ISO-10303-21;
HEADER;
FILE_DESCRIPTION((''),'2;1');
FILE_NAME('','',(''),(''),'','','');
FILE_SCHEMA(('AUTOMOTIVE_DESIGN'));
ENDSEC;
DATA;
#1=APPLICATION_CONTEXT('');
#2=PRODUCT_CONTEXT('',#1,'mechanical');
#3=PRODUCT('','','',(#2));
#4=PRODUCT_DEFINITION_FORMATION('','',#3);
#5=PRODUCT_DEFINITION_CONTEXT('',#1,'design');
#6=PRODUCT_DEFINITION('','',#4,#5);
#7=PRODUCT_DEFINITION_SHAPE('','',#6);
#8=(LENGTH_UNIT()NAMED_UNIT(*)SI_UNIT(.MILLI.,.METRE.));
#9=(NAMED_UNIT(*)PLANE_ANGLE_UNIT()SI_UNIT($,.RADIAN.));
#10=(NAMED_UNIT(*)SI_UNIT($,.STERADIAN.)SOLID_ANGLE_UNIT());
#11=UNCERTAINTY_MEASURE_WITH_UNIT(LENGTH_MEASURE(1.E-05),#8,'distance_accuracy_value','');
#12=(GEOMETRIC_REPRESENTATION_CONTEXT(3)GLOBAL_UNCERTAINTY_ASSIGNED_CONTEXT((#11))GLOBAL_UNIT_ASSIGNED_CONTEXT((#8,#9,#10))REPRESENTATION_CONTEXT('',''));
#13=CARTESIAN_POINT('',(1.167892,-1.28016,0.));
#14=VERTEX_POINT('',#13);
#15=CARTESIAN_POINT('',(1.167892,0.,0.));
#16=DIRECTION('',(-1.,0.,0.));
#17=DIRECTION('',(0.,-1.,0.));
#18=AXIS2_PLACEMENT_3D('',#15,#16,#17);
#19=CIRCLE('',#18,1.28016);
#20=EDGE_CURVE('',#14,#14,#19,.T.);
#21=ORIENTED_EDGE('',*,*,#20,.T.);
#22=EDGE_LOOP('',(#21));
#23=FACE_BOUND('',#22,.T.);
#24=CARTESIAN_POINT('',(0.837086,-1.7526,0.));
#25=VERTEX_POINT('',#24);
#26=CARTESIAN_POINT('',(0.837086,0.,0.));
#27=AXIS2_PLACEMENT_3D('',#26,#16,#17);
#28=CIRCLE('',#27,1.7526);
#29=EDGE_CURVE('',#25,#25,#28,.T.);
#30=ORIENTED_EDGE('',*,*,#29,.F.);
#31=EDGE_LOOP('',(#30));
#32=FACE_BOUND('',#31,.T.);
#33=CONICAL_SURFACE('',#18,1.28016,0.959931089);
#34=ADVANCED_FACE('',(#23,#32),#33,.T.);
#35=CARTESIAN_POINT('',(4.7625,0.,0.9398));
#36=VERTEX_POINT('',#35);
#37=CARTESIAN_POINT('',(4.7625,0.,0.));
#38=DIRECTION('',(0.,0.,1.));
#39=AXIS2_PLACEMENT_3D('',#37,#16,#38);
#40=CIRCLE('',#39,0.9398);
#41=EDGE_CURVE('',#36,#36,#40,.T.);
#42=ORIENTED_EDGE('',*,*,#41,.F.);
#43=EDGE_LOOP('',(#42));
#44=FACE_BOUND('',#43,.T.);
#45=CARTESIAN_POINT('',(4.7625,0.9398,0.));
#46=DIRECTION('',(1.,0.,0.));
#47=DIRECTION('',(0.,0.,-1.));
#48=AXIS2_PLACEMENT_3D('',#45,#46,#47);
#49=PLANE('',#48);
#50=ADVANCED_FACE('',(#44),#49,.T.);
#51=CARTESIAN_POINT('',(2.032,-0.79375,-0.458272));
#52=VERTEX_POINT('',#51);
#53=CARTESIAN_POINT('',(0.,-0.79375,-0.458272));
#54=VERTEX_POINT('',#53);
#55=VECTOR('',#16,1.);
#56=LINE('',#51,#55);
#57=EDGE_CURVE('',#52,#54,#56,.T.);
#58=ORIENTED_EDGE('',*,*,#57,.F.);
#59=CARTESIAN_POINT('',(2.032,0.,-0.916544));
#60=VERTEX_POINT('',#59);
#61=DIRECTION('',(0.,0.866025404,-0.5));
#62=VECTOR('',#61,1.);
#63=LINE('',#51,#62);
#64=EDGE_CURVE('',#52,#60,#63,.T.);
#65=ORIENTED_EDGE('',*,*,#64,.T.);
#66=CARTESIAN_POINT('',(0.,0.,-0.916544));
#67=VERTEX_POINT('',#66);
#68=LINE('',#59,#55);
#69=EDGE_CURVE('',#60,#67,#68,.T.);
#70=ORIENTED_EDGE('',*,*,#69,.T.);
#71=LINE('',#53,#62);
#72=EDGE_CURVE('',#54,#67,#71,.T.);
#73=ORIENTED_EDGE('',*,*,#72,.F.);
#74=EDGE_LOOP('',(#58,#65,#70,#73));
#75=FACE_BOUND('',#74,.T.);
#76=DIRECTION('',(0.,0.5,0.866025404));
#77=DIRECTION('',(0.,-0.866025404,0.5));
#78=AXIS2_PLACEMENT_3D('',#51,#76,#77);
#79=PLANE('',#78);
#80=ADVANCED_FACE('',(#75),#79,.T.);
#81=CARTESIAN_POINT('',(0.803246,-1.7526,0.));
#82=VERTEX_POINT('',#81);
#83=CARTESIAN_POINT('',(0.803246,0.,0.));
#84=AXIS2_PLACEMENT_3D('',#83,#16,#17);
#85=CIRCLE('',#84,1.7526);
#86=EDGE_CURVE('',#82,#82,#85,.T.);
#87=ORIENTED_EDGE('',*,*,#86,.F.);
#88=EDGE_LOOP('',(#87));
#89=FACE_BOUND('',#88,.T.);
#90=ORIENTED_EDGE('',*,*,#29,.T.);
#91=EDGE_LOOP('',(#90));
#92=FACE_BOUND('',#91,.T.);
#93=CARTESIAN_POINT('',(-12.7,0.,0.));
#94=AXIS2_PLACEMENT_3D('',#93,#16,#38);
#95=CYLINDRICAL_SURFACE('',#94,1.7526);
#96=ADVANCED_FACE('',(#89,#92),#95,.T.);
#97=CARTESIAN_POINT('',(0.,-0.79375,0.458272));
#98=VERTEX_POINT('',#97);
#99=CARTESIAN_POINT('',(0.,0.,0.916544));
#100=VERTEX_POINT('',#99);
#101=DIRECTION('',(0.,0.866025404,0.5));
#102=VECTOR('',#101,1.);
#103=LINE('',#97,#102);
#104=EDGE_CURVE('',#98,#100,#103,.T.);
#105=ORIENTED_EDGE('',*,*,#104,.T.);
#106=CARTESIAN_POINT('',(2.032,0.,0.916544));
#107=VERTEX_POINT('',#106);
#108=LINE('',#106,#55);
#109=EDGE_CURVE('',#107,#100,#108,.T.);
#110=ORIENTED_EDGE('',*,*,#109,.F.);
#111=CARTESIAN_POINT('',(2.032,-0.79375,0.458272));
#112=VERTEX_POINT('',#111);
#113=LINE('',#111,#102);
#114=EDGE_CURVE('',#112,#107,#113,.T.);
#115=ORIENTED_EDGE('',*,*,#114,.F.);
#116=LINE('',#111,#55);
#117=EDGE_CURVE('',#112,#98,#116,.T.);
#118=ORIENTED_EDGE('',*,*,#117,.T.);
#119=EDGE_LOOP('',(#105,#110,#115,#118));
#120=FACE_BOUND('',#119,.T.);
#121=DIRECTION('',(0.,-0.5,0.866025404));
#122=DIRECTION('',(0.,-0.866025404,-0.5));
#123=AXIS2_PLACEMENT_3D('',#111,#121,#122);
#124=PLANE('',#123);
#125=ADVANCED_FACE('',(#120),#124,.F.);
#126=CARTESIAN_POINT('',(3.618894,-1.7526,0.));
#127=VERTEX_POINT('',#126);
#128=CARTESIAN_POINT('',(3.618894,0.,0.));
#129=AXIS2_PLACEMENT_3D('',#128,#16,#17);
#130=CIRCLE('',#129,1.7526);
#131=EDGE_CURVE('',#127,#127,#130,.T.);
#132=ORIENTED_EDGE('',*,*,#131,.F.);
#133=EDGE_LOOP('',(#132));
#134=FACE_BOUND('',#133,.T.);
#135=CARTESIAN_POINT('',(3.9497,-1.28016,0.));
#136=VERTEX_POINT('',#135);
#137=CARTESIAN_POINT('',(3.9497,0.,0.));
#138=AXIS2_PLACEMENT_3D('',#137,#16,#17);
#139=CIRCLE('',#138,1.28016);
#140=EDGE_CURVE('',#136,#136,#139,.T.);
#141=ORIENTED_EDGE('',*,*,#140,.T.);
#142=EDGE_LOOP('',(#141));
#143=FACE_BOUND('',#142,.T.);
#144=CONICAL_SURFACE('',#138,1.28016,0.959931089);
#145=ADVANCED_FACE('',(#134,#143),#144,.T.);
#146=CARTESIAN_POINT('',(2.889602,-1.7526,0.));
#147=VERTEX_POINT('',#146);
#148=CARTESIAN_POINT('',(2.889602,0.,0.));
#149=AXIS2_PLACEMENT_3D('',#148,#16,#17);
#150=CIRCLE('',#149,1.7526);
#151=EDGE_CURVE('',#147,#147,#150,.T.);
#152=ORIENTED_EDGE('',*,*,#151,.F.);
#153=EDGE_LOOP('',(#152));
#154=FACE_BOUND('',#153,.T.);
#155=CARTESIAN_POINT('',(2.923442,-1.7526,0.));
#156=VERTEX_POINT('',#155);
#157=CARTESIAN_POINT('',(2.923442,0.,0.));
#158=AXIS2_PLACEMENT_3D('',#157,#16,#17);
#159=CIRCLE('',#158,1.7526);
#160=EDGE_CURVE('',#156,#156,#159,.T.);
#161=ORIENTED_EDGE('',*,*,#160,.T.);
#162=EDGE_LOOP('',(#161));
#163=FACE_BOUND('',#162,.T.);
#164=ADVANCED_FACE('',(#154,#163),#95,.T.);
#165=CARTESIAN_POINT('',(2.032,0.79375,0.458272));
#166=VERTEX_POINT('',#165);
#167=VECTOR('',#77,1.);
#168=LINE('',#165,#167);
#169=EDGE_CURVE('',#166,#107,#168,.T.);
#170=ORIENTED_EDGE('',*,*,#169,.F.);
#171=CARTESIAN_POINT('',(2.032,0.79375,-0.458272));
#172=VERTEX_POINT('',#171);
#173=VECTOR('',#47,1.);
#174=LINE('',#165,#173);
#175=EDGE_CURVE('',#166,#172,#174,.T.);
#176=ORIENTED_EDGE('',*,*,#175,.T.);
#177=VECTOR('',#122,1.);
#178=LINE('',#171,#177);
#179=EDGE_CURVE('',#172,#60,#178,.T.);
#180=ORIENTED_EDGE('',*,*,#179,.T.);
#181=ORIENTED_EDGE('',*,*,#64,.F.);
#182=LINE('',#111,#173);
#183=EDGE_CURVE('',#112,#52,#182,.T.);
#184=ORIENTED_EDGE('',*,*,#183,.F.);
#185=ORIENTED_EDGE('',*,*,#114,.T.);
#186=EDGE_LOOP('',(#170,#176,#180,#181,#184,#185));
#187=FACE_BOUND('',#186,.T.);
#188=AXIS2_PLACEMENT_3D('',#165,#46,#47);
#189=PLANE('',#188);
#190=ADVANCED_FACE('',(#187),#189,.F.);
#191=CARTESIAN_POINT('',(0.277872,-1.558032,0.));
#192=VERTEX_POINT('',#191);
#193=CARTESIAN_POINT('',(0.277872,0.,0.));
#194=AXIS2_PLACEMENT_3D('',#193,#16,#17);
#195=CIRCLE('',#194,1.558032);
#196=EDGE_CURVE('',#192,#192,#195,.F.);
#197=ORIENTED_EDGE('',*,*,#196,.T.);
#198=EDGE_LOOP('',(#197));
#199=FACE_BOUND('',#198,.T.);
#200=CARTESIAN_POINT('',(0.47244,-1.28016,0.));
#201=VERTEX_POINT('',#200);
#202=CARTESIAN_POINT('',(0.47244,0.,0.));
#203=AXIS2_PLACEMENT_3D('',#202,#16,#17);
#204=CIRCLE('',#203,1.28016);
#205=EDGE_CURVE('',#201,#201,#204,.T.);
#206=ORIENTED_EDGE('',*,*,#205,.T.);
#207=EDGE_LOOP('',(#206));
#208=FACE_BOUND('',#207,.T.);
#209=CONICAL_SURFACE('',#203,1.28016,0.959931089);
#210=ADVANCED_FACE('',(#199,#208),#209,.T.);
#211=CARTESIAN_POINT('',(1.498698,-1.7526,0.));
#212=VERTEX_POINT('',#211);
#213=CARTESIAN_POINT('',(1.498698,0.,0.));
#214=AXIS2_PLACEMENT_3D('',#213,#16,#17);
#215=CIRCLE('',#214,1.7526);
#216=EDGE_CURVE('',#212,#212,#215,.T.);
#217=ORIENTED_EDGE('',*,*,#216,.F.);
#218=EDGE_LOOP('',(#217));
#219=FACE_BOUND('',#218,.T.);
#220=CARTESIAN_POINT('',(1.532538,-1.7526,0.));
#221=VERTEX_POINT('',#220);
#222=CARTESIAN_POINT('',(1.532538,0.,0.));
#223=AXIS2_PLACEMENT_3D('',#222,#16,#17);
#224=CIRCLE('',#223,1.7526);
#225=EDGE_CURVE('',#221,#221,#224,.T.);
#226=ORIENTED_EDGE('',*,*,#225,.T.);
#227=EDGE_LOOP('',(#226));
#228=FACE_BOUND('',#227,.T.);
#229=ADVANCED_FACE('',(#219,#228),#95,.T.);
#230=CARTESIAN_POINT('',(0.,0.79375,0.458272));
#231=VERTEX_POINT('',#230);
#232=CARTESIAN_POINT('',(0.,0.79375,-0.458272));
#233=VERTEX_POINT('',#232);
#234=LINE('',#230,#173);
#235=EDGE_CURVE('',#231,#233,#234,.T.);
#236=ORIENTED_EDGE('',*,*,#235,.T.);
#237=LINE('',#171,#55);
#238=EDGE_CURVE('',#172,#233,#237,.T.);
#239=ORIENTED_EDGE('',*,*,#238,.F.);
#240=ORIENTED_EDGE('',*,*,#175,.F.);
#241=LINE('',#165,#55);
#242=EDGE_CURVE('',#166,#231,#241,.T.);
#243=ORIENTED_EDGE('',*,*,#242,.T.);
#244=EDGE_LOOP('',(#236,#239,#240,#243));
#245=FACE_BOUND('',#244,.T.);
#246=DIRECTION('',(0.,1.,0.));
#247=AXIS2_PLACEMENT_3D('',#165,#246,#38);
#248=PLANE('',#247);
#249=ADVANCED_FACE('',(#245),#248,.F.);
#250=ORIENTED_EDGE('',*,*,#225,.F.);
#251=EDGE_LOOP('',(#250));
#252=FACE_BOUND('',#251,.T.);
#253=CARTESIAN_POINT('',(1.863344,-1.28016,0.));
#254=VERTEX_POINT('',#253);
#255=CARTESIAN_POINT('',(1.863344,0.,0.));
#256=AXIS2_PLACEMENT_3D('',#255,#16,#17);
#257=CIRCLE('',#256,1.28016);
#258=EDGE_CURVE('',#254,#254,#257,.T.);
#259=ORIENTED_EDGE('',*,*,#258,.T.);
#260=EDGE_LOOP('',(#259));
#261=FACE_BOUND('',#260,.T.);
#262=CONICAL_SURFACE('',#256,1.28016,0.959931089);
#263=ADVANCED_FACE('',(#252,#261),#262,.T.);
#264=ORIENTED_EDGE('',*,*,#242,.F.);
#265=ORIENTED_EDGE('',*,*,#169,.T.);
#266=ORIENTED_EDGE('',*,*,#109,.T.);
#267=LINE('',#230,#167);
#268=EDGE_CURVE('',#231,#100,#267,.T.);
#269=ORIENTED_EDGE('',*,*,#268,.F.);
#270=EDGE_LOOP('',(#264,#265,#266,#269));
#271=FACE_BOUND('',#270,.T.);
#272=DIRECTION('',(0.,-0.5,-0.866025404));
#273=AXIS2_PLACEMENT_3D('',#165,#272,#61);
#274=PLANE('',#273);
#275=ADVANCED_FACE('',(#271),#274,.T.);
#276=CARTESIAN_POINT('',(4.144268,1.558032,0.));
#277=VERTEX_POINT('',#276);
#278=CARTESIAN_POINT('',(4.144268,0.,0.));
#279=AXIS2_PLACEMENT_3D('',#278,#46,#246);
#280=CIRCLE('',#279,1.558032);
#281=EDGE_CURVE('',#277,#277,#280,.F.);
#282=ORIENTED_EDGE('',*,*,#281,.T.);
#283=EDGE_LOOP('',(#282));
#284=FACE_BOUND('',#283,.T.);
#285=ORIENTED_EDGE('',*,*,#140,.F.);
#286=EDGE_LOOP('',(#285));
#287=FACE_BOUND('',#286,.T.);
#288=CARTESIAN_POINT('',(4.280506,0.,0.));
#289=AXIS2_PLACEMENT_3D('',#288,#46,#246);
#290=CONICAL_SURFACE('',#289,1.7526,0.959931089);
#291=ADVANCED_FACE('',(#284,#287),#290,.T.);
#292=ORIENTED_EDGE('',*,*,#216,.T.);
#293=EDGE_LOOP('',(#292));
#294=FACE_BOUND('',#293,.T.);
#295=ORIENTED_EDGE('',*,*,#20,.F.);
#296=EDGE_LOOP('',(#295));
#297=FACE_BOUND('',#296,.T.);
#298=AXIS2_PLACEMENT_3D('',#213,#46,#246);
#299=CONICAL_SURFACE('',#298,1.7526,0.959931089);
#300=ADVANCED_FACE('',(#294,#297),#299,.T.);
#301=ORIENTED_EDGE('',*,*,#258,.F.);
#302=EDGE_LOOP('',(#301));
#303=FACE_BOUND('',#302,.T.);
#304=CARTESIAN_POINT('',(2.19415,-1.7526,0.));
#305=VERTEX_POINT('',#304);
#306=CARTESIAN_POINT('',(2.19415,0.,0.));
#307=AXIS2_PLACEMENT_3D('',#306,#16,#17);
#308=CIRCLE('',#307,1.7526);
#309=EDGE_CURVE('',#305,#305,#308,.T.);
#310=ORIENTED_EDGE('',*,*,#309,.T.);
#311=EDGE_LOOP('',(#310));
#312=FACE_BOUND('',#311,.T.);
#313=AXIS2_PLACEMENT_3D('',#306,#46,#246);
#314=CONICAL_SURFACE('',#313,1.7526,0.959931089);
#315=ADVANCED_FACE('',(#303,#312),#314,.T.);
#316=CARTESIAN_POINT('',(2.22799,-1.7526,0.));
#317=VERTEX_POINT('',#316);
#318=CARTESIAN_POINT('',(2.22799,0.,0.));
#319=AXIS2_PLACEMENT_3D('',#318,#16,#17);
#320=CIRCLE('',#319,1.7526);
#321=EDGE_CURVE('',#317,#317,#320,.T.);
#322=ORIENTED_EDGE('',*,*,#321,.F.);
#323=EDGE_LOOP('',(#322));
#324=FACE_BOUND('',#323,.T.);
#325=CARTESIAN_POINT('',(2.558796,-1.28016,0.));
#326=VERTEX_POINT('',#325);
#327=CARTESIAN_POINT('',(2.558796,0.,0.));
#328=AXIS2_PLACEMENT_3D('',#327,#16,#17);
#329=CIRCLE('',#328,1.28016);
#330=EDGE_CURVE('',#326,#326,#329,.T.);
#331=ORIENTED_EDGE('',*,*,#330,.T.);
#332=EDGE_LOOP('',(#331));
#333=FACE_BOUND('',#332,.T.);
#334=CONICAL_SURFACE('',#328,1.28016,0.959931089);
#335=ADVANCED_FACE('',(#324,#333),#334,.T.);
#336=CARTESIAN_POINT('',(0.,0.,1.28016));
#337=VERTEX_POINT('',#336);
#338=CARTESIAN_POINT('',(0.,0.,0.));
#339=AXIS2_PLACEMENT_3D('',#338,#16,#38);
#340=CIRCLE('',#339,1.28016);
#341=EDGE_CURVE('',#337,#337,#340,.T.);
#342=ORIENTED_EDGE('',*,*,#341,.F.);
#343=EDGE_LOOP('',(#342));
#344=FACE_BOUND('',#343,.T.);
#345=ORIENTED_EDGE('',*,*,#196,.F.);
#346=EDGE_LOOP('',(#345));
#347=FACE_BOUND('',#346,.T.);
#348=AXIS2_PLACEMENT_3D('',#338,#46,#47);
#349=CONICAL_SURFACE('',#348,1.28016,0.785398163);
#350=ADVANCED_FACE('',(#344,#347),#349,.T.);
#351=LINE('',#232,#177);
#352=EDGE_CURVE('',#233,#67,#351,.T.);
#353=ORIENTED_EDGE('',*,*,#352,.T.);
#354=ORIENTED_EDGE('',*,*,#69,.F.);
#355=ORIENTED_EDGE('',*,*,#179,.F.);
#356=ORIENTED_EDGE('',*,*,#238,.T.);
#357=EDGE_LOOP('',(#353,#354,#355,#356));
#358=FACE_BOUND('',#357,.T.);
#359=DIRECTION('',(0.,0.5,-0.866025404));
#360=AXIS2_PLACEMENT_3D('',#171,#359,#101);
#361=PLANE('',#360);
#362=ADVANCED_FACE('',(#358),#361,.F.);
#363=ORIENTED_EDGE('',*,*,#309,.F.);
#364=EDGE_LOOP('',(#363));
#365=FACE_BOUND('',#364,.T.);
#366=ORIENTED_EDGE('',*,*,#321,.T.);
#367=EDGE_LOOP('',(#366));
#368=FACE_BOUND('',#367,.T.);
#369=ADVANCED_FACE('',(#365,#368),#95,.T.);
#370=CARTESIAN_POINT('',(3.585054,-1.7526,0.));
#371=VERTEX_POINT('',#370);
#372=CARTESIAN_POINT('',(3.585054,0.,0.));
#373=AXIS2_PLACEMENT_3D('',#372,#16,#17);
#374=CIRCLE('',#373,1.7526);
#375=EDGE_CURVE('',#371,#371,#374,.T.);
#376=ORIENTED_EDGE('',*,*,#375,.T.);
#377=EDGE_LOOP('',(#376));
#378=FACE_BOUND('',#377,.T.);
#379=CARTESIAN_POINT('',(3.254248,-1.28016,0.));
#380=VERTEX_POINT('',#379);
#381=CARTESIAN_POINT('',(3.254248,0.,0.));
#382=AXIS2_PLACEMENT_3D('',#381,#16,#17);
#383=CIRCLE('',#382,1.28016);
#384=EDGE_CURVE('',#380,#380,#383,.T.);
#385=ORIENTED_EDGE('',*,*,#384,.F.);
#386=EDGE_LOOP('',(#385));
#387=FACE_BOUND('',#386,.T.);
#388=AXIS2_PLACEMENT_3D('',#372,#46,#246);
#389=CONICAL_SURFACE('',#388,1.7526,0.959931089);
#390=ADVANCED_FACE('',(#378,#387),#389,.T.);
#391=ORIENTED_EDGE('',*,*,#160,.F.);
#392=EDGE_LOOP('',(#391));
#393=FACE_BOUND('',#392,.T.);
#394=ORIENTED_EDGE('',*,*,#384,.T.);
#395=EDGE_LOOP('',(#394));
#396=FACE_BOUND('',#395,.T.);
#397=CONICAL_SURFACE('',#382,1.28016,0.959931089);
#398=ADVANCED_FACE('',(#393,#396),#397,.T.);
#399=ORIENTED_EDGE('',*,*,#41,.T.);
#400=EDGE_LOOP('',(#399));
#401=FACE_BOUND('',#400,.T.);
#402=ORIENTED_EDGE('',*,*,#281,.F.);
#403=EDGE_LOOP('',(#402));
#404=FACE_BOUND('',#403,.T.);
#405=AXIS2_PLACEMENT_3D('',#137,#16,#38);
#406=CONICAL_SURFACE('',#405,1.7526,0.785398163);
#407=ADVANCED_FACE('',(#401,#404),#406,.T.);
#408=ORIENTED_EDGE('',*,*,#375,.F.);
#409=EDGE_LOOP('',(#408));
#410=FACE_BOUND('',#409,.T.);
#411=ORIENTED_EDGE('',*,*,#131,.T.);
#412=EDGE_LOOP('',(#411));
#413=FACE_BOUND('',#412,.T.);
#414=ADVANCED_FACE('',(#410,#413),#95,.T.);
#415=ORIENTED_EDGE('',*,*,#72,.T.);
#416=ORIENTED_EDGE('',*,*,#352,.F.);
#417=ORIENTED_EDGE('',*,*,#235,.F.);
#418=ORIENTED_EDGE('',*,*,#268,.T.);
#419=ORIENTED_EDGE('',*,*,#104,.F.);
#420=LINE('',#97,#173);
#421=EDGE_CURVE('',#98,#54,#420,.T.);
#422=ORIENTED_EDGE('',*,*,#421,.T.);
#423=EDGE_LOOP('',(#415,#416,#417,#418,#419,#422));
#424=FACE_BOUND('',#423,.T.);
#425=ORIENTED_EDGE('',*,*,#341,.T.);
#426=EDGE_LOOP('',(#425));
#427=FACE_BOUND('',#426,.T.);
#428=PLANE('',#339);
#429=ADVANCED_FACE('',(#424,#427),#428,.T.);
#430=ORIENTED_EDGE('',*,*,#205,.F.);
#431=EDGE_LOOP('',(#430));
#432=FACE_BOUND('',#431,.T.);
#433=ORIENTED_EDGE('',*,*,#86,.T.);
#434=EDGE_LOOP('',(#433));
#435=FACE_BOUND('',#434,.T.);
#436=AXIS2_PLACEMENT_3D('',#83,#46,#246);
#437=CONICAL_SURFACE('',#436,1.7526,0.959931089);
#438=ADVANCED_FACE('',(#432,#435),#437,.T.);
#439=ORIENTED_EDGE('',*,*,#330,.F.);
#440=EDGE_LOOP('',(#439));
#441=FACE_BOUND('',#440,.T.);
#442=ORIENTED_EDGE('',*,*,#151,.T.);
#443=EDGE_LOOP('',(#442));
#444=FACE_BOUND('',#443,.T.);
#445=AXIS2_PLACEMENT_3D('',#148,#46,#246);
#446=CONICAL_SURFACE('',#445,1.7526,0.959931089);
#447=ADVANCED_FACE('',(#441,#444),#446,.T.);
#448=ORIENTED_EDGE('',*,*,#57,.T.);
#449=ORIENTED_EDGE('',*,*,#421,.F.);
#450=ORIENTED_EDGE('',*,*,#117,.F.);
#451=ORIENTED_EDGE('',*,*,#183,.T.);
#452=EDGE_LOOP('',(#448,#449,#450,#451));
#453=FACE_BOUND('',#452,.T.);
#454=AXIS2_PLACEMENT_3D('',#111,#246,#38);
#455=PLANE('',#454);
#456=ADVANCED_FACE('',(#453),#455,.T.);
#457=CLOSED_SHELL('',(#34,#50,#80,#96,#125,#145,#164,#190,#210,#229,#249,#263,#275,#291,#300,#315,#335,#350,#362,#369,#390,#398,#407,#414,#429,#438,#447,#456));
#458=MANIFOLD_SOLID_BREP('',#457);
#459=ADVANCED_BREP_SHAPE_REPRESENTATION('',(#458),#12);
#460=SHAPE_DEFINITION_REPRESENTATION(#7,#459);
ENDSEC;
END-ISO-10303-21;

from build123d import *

# Parameters (mm, degrees)
HEX_2_DEPTH     = 2.032
THDSCHPAT_COUNT = 6
THDSCHPAT_PITCH = 0.695452015


with BuildPart() as part:
    # BodySke → BaseBody (revolve)
    with BuildSketch(Plane.XY, mode=Mode.PRIVATE) as basebody_sk:
        Polygon((0, 0), (0, 1.28016), (0.47244, 1.7526), (3.9497, 1.7526), (4.7625, 0.9398), (4.7625, 0), align=None)
    revolve(basebody_sk.sketch.rotate(Axis((-12.7, 0, 0), (1, 0, 0)), 90), axis=Axis((-12.7, 0, 0), (1, 0, 0)))

    # Sketch2 → Hex 2 (cut)
    with BuildSketch(Plane.ZY):
        Polygon((0.458271776, 0.79375), (-0.458271776, 0.79375), (-0.916543552, 0), (-0.458271776, -0.79375), (0.458271776, -0.79375), (0.916543552, 0), align=None)
    extrude(amount=-HEX_2_DEPTH, mode=Mode.SUBTRACT)

    # ThdSchSke → ThreadSchematic (revolve, cut)
    with BuildSketch(Plane.XY):
        Polygon((0.47244, -1.28016), (0.141633951, -1.7526), (0.141633951, -2.19075), (0.803246049, -2.19075), (0.803246049, -1.7526), align=None)
    threadschematic = revolve(axis=Axis((-3.175, 0, 0), (1, 0, 0)), mode=Mode.SUBTRACT)

    # ThdSchPat: ThreadSchematic ×6
    with Locations(*[(i * THDSCHPAT_PITCH, 0, 0) for i in range(1, THDSCHPAT_COUNT)]):
        add(threadschematic, mode=Mode.SUBTRACT)


solid = part.part
